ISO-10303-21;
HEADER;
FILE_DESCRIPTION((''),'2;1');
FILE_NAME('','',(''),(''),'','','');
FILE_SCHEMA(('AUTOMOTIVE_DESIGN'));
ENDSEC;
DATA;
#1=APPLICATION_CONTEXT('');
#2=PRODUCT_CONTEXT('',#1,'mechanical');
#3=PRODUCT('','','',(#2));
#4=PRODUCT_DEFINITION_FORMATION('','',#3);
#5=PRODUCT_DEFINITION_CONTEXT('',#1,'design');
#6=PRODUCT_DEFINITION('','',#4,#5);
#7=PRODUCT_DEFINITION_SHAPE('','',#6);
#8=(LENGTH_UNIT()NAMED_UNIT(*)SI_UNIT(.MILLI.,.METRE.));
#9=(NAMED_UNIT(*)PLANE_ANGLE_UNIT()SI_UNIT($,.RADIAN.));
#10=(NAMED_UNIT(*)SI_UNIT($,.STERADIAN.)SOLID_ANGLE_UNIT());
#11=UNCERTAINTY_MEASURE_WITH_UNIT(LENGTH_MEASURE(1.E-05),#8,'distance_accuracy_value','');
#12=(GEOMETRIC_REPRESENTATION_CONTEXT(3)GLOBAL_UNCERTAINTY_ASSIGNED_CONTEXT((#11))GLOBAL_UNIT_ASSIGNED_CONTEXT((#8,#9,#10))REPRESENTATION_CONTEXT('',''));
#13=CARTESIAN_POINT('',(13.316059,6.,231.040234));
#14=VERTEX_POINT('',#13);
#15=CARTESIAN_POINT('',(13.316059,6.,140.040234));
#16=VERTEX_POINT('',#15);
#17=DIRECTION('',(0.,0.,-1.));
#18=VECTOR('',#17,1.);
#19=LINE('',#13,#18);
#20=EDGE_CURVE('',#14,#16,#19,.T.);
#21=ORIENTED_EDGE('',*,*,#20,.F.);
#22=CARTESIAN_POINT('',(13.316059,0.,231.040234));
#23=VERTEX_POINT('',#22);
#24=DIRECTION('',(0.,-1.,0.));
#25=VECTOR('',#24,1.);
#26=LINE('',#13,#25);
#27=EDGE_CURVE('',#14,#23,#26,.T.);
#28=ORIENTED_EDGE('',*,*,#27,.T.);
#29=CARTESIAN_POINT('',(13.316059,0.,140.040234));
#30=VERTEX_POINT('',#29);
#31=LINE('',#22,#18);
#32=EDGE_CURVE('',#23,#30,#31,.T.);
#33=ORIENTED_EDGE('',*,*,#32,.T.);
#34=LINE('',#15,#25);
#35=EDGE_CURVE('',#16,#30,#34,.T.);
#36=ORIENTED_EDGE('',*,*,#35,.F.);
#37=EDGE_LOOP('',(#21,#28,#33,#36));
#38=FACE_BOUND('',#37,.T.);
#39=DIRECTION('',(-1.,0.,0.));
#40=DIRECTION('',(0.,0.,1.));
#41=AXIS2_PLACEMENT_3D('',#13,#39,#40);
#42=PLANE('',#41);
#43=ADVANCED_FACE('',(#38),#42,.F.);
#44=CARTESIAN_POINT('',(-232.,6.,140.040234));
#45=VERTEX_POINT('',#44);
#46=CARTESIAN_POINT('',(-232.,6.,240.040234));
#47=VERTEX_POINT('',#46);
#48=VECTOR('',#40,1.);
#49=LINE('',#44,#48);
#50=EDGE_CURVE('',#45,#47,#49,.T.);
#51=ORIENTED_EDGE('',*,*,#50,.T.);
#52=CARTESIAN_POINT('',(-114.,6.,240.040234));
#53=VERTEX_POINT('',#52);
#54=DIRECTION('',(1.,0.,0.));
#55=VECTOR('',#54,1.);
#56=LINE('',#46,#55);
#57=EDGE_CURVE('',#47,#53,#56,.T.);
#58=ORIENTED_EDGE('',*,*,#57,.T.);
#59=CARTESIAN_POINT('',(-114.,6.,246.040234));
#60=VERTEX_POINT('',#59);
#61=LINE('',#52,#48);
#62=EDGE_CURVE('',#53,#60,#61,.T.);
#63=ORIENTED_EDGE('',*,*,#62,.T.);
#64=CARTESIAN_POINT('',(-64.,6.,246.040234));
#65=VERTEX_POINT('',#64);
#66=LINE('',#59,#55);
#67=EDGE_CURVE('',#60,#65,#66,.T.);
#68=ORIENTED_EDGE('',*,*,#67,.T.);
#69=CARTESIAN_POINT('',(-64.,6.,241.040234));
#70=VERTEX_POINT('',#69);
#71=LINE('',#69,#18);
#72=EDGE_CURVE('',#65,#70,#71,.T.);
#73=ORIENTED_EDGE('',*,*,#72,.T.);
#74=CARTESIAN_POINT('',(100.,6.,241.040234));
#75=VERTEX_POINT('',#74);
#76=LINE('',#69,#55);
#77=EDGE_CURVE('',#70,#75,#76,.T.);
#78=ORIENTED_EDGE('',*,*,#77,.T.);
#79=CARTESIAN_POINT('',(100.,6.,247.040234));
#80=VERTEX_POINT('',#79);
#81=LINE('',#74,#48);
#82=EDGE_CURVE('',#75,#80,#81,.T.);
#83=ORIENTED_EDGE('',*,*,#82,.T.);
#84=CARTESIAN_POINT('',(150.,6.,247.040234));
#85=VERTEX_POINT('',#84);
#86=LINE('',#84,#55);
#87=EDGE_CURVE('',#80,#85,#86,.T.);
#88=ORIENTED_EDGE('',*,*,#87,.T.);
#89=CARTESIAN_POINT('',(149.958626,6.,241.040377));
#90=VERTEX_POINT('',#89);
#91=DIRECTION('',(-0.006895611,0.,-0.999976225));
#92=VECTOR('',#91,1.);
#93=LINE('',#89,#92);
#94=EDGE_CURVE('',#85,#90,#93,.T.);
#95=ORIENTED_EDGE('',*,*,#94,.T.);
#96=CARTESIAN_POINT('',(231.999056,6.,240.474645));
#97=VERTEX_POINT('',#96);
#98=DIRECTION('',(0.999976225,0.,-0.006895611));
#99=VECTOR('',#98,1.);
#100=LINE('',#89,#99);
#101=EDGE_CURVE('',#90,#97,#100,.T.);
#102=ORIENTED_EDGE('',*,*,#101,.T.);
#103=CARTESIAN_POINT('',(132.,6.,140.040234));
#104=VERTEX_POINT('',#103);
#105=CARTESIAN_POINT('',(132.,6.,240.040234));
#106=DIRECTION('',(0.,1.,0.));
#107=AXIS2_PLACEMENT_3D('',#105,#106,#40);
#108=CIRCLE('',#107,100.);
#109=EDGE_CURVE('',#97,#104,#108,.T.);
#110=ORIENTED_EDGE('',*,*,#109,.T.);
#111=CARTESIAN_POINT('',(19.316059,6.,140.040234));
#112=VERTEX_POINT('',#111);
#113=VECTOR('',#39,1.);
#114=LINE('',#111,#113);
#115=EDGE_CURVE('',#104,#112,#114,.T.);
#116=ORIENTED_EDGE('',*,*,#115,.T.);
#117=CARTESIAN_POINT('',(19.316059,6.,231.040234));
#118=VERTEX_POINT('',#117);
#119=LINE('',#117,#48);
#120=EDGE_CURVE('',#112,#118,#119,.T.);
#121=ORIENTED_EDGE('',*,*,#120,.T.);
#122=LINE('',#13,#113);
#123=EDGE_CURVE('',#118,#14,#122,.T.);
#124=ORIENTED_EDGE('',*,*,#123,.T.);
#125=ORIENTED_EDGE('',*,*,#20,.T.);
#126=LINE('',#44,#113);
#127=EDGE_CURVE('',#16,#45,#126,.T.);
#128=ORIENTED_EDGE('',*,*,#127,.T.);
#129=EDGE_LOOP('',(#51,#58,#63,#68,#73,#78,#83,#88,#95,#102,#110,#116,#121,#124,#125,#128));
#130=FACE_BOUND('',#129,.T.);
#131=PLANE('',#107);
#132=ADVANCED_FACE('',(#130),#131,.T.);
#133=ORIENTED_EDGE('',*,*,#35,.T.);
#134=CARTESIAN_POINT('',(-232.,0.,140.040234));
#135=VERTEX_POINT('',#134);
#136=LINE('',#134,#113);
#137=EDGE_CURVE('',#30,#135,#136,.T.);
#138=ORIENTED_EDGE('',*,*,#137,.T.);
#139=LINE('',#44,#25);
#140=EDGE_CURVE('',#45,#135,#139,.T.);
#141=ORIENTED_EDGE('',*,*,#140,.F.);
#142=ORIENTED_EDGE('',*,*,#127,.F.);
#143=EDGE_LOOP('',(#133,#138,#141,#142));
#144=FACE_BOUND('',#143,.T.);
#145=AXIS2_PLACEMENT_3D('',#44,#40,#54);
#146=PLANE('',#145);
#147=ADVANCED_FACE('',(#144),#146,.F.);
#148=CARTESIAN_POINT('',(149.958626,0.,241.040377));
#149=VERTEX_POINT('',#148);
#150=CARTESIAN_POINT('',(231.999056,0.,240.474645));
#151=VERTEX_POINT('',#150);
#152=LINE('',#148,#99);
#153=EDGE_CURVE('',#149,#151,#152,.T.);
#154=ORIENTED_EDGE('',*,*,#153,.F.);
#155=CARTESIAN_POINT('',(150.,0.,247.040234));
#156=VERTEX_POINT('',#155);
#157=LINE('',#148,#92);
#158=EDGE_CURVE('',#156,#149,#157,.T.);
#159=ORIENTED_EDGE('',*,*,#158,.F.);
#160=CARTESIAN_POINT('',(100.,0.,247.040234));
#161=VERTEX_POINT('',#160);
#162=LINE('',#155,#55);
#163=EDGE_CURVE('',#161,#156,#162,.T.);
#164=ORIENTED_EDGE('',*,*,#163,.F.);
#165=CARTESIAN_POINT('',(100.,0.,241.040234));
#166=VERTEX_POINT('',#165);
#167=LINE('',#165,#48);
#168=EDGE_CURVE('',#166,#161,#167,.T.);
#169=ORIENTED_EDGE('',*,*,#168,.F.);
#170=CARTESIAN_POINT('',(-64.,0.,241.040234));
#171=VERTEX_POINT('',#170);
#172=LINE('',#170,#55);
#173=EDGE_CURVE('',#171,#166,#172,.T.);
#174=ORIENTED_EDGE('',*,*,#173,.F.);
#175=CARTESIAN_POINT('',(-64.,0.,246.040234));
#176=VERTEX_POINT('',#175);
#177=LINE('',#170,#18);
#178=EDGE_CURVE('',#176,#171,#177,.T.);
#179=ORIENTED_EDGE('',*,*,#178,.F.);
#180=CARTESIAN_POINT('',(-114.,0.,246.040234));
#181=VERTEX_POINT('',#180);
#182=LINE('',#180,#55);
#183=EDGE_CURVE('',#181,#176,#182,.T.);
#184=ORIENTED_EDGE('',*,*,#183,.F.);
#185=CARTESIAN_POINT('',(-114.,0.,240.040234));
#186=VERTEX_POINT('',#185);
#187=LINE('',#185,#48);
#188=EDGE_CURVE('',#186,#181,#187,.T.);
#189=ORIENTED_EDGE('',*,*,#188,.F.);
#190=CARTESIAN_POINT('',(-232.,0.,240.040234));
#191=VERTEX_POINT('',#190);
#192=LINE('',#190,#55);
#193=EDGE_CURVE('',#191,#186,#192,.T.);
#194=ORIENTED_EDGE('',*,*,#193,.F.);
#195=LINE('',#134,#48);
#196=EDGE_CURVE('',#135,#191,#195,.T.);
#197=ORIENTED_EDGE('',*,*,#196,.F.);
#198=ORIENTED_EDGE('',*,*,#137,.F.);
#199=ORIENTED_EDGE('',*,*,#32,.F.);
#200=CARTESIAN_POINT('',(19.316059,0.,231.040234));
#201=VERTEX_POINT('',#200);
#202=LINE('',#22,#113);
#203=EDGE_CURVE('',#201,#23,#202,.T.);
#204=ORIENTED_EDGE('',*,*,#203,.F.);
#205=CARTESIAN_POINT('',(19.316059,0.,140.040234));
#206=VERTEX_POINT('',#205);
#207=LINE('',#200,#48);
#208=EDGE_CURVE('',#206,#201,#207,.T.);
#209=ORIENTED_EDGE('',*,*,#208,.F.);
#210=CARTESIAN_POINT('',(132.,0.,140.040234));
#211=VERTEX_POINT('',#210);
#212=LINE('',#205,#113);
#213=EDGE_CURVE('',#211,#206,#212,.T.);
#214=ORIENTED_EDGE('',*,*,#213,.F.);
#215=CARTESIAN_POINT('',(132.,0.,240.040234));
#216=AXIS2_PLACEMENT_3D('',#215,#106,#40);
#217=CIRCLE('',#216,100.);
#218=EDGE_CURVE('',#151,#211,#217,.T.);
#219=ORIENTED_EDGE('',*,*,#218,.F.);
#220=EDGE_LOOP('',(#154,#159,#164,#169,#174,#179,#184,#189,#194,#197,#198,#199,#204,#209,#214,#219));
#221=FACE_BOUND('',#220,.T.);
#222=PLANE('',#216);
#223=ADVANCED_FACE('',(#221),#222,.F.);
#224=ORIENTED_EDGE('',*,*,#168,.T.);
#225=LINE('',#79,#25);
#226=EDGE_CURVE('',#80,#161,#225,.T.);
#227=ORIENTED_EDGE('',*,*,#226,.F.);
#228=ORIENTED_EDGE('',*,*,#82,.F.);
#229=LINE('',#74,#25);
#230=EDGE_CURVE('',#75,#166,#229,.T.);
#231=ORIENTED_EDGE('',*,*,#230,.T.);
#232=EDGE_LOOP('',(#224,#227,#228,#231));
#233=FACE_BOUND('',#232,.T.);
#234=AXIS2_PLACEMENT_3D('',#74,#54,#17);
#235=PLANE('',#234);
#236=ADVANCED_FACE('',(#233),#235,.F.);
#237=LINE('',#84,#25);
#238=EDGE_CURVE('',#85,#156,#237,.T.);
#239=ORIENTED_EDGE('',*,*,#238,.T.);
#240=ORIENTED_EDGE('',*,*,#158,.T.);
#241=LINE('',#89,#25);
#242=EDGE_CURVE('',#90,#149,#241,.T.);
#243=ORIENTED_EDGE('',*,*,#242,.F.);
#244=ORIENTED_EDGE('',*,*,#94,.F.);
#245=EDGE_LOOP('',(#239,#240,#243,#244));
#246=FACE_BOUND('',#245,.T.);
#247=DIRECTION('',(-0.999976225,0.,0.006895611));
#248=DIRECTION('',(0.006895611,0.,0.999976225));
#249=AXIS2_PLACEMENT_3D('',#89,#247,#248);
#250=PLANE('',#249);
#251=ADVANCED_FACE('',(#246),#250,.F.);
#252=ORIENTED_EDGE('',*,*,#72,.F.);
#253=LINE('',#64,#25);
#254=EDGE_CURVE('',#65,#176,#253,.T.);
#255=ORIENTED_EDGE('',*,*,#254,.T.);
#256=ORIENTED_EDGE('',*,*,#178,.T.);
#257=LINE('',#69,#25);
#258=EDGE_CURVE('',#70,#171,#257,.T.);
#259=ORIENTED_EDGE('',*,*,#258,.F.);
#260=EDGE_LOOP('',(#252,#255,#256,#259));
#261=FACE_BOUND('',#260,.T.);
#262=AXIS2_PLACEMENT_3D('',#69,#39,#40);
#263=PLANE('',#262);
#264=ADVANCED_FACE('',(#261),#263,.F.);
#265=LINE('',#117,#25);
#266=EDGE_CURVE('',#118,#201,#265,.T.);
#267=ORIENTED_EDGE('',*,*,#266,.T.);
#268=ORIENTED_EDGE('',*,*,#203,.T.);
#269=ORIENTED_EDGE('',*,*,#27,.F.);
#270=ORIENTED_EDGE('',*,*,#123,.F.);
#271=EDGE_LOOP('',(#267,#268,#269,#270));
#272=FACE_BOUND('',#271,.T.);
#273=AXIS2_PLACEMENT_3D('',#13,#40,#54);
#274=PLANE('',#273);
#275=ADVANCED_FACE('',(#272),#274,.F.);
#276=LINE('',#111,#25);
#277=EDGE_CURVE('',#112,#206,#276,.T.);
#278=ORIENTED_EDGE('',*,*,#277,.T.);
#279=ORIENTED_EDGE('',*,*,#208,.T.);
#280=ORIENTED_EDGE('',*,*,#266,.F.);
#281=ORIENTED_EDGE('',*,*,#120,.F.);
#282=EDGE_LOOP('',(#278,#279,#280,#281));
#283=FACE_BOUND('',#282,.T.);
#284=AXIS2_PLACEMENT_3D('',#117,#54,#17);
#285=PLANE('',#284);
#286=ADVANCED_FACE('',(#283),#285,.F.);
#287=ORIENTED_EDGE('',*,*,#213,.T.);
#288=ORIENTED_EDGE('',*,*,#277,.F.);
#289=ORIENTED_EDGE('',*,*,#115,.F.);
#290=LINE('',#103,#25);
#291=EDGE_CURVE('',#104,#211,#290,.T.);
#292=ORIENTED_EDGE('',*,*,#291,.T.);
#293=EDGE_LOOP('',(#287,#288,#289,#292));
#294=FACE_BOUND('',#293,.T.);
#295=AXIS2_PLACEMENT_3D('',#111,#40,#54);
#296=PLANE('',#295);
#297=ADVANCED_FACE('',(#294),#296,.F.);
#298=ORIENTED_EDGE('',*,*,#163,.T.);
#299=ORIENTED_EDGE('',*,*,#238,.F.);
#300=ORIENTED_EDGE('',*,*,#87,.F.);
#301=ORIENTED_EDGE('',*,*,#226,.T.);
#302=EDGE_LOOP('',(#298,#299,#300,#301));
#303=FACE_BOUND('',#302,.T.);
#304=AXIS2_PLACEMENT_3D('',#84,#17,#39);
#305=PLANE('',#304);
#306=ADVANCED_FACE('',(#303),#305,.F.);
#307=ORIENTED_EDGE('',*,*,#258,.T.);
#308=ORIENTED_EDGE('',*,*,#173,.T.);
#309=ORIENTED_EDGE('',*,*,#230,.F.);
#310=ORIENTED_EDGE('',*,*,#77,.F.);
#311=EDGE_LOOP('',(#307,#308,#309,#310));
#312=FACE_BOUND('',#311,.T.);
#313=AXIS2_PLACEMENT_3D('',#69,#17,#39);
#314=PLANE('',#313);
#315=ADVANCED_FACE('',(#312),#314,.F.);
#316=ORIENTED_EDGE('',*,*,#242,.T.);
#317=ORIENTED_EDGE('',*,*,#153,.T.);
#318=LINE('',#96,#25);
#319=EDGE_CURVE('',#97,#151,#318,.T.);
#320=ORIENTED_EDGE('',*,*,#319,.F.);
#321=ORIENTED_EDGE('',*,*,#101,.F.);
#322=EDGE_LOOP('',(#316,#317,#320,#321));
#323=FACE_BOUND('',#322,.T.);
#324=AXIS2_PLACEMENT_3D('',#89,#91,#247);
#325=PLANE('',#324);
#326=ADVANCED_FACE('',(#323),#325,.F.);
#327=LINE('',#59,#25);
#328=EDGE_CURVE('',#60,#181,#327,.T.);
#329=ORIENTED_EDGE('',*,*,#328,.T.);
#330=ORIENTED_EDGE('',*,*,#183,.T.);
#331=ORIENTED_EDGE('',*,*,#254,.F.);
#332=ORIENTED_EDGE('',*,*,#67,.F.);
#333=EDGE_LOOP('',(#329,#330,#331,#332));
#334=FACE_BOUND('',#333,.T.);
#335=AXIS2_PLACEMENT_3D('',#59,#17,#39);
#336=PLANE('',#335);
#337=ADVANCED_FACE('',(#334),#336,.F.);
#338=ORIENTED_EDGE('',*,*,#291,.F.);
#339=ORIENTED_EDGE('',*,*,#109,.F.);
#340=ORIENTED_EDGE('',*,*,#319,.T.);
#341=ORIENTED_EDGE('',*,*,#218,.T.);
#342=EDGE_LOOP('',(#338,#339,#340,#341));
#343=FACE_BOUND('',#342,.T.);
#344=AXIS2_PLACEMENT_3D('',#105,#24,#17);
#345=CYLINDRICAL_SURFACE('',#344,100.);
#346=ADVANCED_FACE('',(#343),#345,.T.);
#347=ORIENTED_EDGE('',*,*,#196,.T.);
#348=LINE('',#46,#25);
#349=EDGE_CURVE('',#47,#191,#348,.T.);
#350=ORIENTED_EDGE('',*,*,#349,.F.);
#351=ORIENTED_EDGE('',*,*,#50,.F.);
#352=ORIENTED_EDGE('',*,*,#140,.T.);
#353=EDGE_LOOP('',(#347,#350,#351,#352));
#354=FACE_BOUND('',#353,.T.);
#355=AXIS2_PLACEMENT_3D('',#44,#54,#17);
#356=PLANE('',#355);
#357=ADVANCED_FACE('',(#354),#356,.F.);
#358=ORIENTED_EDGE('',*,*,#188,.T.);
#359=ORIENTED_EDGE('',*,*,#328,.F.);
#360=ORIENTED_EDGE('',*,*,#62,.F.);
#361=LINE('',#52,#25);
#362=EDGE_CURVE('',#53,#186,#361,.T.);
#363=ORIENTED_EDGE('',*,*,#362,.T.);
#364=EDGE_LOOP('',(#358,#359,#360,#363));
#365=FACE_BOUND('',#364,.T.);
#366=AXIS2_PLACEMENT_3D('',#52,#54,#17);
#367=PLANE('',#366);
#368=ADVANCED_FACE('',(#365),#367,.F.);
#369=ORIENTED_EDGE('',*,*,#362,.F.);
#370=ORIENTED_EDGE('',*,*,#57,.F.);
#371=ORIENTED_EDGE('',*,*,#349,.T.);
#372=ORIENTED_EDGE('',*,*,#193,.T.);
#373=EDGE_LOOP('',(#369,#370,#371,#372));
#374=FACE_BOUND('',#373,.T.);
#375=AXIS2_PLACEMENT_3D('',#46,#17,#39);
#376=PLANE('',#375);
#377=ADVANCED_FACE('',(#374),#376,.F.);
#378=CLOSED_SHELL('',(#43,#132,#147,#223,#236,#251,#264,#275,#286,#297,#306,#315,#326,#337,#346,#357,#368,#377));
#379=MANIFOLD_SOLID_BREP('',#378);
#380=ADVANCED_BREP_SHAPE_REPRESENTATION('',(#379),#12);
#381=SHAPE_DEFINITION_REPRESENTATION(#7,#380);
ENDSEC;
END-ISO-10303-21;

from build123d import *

# Parameters (mm, degrees)
BOSS_EXTRUDE1_DEPTH = 6


with BuildPart() as part:
    # Sketch1 → Boss-Extrude1 (new body)
    with BuildSketch(Plane(origin=(0, 0, 0), x_dir=(1, 0, 0), z_dir=(0, 1, 0))):
        with BuildLine():
            Line((-232, -140.040234189), (13.316058598, -140.040234189))
            Line((13.316058598, -140.040234189), (13.316058598, -231.040234189))
            Line((13.316058598, -231.040234189), (19.316058598, -231.040234189))
            Line((19.316058598, -231.040234189), (19.316058598, -140.040234189))
            Line((19.316058598, -140.040234189), (132, -140.040234189))
            ThreePointArc((132, -140.040234189), (202.864098928, -169.483310481), (231.999056434, -240.474644527))
            Line((231.999056434, -240.474644527), (149.958626336, -241.040376839))
            Line((149.958626336, -241.040376839), (150, -247.040234189))
            Line((150, -247.040234189), (100, -247.040234189))
            Line((100, -247.040234189), (100, -241.040234189))
            Line((100, -241.040234189), (-64, -241.040234189))
            Line((-64, -241.040234189), (-64, -246.040234189))
            Line((-64, -246.040234189), (-114, -246.040234189))
            Line((-114, -246.040234189), (-114, -240.040234189))
            Line((-114, -240.040234189), (-232, -240.040234189))
            Line((-232, -240.040234189), (-232, -140.040234189))
        make_face()
    extrude(amount=BOSS_EXTRUDE1_DEPTH)


solid = part.part
